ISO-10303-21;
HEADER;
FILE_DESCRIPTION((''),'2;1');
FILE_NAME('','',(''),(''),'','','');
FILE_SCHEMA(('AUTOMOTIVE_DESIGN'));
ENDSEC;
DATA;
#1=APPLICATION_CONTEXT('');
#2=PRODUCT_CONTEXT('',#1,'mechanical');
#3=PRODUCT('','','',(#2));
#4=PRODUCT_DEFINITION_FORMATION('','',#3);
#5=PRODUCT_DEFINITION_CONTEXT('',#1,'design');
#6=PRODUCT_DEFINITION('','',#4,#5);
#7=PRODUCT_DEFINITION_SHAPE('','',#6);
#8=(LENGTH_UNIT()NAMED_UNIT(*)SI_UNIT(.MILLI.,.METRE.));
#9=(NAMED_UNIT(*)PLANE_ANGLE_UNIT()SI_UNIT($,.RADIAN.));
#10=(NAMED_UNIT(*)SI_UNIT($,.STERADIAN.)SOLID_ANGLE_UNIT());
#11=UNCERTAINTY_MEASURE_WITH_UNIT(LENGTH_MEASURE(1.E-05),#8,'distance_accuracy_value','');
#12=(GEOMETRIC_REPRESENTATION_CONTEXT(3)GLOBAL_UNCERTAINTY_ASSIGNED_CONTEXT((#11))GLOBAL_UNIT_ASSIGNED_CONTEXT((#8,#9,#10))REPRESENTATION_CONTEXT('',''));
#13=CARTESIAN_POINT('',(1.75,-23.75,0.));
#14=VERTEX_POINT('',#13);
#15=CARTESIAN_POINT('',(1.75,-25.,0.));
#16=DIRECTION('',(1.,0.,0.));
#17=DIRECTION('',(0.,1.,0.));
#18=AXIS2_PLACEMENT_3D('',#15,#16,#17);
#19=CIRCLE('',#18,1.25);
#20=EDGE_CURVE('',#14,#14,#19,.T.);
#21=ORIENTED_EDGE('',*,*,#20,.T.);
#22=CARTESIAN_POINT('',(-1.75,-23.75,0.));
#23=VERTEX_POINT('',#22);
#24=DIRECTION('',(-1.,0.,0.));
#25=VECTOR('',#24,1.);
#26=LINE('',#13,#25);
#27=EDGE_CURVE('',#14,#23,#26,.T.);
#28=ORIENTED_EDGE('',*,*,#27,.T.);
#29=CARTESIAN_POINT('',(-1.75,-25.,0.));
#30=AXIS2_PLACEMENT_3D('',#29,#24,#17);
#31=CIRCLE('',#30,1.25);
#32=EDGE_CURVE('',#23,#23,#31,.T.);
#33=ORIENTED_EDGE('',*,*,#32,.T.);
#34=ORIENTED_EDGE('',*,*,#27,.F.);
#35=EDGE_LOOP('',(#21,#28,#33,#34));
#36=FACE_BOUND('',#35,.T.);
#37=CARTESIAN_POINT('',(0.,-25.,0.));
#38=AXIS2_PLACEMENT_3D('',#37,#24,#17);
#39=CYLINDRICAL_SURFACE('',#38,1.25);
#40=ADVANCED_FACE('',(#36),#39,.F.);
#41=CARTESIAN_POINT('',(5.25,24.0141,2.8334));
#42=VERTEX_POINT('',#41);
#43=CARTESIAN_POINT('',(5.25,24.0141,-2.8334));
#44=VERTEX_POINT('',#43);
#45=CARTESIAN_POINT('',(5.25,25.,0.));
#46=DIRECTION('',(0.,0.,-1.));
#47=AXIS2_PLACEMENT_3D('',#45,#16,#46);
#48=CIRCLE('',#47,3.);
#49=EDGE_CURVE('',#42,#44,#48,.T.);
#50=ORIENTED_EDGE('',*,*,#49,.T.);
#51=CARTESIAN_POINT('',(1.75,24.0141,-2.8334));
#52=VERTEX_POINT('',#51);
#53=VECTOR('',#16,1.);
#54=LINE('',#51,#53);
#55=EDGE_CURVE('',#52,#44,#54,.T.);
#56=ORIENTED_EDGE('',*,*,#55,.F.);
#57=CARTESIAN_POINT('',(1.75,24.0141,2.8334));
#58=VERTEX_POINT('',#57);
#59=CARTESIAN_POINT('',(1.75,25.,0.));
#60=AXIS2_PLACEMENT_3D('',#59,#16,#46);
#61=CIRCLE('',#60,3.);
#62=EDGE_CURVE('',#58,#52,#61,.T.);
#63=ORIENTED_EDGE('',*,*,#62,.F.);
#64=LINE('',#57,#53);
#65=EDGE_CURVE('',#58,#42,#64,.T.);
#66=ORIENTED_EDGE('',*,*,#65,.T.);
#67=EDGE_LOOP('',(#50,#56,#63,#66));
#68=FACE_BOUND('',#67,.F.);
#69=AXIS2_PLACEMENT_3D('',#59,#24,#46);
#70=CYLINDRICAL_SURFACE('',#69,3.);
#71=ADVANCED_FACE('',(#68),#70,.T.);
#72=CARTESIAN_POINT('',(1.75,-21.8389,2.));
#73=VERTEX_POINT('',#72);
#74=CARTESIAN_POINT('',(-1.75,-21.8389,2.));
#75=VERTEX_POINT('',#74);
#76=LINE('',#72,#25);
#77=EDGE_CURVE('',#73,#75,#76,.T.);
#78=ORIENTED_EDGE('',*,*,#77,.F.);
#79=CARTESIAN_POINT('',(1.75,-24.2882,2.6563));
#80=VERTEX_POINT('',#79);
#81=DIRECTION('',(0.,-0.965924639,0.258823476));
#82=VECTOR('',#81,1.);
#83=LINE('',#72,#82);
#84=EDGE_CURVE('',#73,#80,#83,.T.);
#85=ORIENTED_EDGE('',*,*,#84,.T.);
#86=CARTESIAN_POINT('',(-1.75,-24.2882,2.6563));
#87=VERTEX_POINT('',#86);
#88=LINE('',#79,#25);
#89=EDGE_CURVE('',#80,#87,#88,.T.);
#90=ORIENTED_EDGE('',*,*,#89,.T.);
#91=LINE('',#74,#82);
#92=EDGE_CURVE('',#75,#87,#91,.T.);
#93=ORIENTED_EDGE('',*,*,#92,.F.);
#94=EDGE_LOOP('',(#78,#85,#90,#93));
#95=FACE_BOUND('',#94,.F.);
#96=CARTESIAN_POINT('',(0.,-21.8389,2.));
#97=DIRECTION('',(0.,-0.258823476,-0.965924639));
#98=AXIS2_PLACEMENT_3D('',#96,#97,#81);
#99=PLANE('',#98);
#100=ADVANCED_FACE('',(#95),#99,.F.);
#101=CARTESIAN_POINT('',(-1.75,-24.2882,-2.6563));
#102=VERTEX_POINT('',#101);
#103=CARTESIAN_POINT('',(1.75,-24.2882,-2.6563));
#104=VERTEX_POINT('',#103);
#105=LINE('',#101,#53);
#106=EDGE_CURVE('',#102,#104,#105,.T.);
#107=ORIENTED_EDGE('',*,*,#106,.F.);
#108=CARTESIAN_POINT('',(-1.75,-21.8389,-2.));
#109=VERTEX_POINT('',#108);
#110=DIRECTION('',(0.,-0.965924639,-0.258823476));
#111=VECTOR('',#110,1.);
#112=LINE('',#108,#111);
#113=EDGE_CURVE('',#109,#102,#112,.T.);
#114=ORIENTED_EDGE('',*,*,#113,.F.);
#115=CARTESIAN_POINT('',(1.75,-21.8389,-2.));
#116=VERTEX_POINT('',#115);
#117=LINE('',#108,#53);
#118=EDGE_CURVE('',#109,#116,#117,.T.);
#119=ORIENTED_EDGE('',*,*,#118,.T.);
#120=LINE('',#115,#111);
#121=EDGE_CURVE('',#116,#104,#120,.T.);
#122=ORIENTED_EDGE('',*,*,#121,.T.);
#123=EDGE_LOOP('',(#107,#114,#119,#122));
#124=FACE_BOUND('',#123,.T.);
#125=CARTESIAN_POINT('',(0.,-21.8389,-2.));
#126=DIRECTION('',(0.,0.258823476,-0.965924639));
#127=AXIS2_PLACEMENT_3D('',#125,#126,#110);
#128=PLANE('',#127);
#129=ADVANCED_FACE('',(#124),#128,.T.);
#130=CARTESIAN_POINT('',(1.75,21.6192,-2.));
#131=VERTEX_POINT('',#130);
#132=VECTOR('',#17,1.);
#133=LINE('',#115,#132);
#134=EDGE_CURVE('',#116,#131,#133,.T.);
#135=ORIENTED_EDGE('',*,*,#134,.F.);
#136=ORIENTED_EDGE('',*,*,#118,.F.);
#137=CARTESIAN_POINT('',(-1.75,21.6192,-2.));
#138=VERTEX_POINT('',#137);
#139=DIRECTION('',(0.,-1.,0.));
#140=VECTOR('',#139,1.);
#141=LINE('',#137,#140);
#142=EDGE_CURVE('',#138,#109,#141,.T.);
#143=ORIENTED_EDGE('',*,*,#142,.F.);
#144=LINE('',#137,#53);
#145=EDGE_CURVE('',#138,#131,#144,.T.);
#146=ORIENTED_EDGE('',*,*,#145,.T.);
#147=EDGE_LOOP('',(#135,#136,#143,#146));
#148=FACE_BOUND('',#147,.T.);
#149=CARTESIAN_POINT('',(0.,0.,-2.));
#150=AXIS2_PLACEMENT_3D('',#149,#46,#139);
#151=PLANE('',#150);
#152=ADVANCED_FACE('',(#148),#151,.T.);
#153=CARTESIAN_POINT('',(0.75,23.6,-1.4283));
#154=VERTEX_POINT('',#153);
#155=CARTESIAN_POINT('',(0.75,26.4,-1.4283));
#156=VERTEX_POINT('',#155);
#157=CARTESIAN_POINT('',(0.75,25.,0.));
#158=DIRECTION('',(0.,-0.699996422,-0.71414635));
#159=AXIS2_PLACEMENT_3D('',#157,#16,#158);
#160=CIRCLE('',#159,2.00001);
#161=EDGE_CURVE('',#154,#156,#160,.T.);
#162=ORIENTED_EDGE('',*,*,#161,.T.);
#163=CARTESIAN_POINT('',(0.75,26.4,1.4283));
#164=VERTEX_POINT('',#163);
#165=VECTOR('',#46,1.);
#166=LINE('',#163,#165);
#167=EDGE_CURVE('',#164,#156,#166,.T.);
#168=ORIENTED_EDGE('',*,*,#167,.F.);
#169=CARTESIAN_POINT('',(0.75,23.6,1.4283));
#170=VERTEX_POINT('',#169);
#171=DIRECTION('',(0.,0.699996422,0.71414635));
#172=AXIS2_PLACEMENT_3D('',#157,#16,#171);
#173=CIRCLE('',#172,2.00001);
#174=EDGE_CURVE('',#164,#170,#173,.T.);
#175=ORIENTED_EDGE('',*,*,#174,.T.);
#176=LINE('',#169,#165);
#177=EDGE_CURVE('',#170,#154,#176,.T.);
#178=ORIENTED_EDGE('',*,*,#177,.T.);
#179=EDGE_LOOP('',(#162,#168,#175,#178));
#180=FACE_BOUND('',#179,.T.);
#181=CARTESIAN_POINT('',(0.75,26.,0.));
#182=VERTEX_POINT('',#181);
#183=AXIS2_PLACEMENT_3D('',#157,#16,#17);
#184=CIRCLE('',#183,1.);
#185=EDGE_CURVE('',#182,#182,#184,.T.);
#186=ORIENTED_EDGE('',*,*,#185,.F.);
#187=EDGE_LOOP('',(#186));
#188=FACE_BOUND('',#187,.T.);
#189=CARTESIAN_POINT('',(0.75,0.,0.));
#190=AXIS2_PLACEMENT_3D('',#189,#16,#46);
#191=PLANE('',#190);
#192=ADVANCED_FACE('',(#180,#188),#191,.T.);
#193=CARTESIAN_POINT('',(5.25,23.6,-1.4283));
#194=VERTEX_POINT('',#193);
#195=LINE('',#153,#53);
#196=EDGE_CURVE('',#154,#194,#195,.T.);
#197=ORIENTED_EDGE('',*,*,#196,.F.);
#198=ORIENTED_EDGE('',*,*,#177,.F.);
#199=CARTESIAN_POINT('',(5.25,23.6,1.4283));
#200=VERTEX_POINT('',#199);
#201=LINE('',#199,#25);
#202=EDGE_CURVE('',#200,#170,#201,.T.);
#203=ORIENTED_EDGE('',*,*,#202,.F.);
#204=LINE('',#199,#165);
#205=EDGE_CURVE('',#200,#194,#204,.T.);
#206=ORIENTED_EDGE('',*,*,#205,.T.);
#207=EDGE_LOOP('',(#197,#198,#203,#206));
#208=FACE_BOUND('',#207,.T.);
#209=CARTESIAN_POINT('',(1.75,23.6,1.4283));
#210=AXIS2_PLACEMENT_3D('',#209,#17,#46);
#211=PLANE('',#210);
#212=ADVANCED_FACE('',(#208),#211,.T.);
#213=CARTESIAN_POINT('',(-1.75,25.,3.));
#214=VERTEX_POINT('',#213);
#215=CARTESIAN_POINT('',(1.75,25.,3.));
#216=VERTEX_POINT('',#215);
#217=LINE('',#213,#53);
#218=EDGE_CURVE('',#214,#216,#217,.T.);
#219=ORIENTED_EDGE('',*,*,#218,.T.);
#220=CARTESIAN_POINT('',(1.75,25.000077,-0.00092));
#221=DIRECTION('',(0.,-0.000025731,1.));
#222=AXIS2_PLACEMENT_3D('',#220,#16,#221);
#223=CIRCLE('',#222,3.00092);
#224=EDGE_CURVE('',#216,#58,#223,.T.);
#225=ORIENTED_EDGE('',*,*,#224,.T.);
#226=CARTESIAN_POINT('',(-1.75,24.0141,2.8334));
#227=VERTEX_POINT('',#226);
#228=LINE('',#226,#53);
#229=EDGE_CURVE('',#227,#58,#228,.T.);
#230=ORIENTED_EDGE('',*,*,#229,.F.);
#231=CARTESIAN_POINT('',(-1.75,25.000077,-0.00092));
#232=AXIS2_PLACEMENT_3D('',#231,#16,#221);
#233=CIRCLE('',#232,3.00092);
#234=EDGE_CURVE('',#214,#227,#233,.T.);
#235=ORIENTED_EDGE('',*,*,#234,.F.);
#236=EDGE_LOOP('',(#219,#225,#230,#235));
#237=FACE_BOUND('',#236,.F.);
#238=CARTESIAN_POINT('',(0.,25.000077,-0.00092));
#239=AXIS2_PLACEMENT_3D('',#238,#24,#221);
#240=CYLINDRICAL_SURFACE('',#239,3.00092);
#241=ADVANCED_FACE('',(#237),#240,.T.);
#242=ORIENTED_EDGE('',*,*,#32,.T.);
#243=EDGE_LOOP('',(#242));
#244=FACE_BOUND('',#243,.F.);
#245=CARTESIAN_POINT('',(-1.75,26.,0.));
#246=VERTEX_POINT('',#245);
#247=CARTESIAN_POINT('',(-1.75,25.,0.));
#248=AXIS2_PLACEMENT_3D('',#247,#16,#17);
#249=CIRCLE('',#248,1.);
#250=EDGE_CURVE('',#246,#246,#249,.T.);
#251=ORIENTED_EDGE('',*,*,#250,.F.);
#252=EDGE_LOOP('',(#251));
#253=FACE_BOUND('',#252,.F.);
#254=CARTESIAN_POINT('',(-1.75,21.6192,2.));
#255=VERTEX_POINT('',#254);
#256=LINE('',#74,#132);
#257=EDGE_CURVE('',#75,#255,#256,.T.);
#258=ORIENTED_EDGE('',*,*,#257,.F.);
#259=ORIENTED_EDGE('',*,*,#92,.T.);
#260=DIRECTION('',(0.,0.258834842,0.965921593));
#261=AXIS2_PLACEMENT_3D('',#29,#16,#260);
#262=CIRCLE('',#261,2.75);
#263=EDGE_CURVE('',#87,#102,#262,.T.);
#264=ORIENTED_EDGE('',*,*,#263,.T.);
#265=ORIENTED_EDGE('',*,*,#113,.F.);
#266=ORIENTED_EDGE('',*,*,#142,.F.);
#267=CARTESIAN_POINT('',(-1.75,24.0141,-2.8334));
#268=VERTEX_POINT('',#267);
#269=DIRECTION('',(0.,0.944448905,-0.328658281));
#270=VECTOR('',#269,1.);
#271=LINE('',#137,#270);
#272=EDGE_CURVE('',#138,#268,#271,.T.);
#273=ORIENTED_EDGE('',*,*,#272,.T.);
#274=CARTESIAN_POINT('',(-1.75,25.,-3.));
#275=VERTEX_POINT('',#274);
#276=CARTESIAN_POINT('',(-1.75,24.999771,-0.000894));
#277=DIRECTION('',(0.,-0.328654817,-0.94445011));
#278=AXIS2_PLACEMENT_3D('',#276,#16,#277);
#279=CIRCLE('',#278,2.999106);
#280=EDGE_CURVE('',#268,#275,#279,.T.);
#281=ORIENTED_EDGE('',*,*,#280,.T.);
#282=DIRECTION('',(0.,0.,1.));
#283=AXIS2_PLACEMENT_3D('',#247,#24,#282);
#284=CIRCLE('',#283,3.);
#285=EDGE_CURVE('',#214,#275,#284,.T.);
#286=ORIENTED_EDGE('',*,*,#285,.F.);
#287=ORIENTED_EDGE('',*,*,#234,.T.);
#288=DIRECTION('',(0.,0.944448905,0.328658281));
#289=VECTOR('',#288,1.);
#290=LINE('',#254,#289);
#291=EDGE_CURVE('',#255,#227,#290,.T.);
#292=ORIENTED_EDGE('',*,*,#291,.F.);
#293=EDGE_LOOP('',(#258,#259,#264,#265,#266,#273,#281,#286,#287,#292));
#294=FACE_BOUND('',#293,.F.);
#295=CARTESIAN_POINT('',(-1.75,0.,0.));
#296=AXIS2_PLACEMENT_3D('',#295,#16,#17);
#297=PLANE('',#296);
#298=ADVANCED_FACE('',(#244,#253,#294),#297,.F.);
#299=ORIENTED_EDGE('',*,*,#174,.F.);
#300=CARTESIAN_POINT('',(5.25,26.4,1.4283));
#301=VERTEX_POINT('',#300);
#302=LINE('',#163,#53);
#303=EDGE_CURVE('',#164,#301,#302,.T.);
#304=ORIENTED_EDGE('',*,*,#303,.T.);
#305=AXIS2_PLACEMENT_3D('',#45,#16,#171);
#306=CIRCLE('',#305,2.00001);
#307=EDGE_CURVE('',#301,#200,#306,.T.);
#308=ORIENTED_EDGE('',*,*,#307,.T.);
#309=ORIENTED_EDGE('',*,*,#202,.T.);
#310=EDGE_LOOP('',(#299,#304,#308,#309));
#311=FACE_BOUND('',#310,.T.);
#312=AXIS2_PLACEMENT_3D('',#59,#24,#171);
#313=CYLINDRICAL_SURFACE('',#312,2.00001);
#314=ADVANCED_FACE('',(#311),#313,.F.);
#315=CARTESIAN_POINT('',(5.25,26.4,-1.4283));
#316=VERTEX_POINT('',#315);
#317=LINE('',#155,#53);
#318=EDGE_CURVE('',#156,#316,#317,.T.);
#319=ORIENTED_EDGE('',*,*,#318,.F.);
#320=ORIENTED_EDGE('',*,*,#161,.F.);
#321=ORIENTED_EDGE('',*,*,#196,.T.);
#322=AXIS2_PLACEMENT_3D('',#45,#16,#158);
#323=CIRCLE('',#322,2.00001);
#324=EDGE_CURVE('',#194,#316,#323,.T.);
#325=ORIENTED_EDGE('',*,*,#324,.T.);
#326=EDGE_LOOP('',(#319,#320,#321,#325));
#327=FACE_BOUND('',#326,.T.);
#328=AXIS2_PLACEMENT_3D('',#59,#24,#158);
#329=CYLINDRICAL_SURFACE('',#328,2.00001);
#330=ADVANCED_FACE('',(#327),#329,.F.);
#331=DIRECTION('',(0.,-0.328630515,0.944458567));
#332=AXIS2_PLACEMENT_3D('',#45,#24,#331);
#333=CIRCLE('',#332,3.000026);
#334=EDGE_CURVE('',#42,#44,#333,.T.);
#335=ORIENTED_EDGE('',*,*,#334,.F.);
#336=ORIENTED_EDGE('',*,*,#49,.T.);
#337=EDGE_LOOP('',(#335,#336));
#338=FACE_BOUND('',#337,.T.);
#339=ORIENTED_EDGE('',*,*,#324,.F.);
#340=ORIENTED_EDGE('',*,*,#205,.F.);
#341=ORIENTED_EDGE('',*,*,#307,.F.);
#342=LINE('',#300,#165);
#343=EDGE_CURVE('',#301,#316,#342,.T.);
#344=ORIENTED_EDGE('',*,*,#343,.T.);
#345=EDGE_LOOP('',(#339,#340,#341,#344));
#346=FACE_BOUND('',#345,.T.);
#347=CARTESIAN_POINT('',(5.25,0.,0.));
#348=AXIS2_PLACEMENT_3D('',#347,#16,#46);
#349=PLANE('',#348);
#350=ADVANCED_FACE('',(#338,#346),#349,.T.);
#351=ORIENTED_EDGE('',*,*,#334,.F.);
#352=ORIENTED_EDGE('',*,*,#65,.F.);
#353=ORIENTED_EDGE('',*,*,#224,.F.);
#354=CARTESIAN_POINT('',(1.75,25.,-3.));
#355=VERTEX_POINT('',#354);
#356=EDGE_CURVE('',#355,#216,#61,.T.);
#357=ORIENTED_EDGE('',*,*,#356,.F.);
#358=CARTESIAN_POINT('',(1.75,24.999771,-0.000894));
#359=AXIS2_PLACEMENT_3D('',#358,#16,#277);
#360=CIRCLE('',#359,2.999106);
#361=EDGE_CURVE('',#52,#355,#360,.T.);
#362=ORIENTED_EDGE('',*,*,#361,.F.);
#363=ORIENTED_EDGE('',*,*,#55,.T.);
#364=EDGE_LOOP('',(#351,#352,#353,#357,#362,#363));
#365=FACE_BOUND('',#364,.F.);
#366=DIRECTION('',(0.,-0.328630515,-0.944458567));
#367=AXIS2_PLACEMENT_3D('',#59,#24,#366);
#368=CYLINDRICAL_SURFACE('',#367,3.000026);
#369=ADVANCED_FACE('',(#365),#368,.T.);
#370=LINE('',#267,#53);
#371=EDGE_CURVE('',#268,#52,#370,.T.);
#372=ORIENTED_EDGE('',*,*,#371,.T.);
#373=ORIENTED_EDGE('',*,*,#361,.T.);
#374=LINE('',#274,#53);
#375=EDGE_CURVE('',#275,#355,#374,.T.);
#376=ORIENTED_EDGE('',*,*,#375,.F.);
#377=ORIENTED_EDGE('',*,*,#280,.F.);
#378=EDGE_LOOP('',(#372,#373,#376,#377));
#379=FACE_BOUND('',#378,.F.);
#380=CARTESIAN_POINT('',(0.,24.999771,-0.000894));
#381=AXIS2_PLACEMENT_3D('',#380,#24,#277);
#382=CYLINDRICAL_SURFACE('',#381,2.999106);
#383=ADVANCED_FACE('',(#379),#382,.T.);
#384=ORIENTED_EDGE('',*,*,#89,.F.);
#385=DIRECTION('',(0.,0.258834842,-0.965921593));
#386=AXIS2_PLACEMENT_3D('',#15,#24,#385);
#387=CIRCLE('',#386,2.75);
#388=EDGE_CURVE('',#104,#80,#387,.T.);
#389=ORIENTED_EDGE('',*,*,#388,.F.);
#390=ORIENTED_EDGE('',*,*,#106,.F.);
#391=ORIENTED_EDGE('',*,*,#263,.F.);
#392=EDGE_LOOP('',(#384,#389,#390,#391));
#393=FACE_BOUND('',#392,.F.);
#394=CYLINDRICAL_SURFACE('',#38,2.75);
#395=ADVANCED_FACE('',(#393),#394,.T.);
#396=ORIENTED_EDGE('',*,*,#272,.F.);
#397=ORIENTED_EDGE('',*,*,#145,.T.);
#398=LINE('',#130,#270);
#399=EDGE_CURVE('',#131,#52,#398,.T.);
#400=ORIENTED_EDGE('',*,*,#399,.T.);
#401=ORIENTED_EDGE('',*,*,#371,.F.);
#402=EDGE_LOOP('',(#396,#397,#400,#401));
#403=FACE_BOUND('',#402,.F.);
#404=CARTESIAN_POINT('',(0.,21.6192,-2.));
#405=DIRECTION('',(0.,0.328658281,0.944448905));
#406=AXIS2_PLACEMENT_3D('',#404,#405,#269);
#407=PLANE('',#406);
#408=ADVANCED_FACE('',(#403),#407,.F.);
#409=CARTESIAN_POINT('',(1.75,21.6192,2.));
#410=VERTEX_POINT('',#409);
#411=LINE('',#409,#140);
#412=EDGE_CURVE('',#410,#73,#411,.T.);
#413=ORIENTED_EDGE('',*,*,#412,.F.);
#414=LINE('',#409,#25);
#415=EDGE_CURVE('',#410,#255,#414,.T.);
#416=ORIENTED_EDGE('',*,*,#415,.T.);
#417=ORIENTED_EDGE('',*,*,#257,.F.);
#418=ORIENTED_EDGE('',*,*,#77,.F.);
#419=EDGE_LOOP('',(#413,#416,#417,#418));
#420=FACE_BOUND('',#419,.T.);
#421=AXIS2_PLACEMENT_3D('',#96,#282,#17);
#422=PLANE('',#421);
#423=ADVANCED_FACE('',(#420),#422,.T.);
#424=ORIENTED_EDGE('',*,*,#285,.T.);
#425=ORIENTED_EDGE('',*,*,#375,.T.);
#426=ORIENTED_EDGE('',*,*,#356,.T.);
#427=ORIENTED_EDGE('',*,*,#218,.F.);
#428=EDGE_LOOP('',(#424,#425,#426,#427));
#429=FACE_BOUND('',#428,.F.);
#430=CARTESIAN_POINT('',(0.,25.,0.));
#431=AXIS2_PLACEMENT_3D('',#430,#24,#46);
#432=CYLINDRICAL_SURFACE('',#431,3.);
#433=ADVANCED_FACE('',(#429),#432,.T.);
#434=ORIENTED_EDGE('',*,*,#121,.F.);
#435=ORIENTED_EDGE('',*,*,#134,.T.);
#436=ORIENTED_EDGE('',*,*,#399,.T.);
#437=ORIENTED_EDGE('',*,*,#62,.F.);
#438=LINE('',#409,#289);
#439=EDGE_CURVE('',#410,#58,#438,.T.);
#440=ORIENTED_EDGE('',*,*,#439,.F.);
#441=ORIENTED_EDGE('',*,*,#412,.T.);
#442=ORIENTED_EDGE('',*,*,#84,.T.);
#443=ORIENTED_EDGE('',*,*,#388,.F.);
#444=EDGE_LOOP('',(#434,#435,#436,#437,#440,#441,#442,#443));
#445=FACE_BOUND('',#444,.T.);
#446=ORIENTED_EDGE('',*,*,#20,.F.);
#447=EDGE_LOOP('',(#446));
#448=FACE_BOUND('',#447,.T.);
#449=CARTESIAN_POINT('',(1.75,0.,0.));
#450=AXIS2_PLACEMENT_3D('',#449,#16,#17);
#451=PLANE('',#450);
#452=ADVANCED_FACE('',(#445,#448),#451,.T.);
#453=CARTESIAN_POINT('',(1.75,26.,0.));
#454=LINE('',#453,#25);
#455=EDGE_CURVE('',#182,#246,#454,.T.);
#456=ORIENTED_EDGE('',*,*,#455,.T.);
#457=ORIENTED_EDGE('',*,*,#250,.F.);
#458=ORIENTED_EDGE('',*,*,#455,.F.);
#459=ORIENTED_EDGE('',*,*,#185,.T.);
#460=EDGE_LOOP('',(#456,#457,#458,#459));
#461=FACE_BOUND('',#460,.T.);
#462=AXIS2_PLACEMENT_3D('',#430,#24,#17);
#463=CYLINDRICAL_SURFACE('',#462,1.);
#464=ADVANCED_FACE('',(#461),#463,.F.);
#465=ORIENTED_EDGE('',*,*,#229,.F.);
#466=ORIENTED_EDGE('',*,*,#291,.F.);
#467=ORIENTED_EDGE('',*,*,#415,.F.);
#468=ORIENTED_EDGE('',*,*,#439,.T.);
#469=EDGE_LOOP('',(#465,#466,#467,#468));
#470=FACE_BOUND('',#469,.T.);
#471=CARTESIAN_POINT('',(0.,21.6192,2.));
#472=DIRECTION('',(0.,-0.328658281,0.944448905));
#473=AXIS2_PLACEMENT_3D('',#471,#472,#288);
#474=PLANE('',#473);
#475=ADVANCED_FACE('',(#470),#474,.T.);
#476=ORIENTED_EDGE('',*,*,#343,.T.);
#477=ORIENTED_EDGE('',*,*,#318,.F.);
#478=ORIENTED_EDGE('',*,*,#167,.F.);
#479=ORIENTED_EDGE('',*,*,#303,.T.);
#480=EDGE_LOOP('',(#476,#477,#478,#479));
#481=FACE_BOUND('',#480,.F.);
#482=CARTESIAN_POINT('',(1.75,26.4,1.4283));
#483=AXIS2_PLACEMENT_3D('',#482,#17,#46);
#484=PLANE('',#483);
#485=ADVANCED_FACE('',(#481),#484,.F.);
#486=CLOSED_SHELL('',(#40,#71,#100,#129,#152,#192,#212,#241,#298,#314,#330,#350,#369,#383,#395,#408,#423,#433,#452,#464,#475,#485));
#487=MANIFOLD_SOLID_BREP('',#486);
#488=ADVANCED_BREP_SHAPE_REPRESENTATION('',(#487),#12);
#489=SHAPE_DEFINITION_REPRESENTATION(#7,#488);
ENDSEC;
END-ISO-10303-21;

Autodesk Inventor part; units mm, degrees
ref_plane "YZ Plane" through (0, 0, 0) normal (1, 0, 0) x (0, 1, 0)
ref_plane "XZ Plane" through (0, 0, 0) normal (0, 1, 0) x (-1, 0, 0)
ref_plane "XY Plane" through (0, 0, 0) normal (0, 0, 1) x (1, 0, 0)
sketch "Sketch1" plane through (0, 0, 0) normal (1, 0, 0) x (0, 1, 0)
  line L0 (-39.2, 0) -> (39.2, 0) projected
  line L1 (0, -4.2) -> (0, 4.2) projected
  circle A0 centre (-25, 0) radius 1.25
  circle A1 centre (-25, 0) radius 3
  circle A2 centre (25, 0) radius 3 construction
  line L2 (-25, 3) -> (25, 3)
  line L3 (-25, -3) -> (25, -3)
  line L4 (25, 3) -> (25, -3) construction
  line L5 (25, 2) -> (25, -2) construction
  arc A3 (25, -3) -> (25, 3) centre (25, 0) ccw
  circle A4 centre (-25, 0) radius 2.2678 construction
  circle A5 centre (25, 0) radius 1
  point P0 (0, 0)
  point P1 (25, 0)
  dimension "d4" = 6
  dimension "d7" = 50
  dimension "d8" = 2.5
  dimension "d10" = 0
  dimension "d30" = 2
extrude "ext_main" add sketch "Sketch1" along normal mid plane 3.5 contours A0 L0 A1 | L0 A1 A0 | A1 L2 L1 L0 | L0 L1 L3 A1 | L1 L2 A3 L0 A5 | L0 A5 A3 L3 L1
sketch "Sketch3" plane through (0, 0, 0) normal (1, 0, 0) x (0, 1, 0)
  arc A0 (-25, 3) -> (-25, -3) centre (-25, 0) ccw projected
  circle A1 centre (-25, 0) radius 1.25 projected
  arc A2 (25, -3) -> (25, 3) centre (25, 0) ccw projected
  circle A3 centre (-25, 0) radius 3 construction
  circle A4 centre (25, 0) radius 3 construction
  line L0 (-22.7639, 2) -> (22.7639, 2) construction
  line L1 (-39.2, 0) -> (39.2, 0) projected
  line L2 (0, -4.2579) -> (0, 4.2579) projected
  line L3 (25, 3) -> (-25, 3) projected
  line L4 (21.6192, 2) -> (24.0141, 2.8334)
  arc A5 (25, 3) -> (24.0141, 2.8334) centre (25, 0) ccw
  line L5 (-21.8389, 2) -> (21.6192, 2)
  circle A6 centre (-25, 0) radius 2.75
  line L6 (-21.8389, 2) -> (-24.2882, 2.6563)
  arc A7 (24.0141, -2.8334) -> (25, -3) centre (25, 0) ccw
  line L7 (21.6192, -2) -> (-22.7639, -2) construction
  line L8 (-21.8389, -2) -> (-24.2882, -2.6563)
  line L9 (21.6192, -2) -> (-21.8389, -2)
  line L10 (21.6192, -2) -> (24.0141, -2.8334)
  point P0 (0, 0)
  dimension "d16" = 1
  dimension "d21" = 5.5
  dimension "d22" = 15
extrude "ext_cutaway" cut sketch "Sketch3" along normal through all both and the other way through all contours A6 L1 A1 | L1 A1 A6 | L5 L4 A5 A2 L1 L2 | L2 L1 A6 L6 L5 | A6 L1 L2 L9 L8 | L1 A2 A7 L10 L9 L2 keep common part
sketch "Sketch4" plane through (1.75, 0, 0) normal (1, 0, 0) x (0, 0, -1)
  arc A0 (2.8334, 24.0141) -> (-2.8334, 24.0141) centre (0, 25) ccw projected
  circle A1 centre (0, 25) radius 1 projected
  circle A2 centre (0, 25) radius 3
  line L0 (-4.2, 0) -> (4.2, 0) projected
  line L1 (-3, 25) -> (3, 25) construction
  circle A3 centre (0, 25) radius 2 construction
  arc A4 (-1.4283, 26.4) -> (-1.4283, 23.6) centre (0, 25) ccw
  arc A5 (1.4283, 23.6) -> (1.4283, 26.4) centre (0, 25) ccw
  line L2 (-1.4283, 26.4) -> (1.4283, 26.4)
  line L3 (-1.4283, 23.6) -> (1.4283, 23.6)
  point P0 (0, 0)
  dimension "d23" = 4
  dimension "d25" = 2.8
extrude "ext_potshaft" add sketch "Sketch4" along normal blind 3.5 contours A2 A0
extrude "ext_cut_potshaft" cut sketch "Sketch4" against normal blind 1 contours L2 A5 L3 A4
equation "\"d7\" = general_link_length"
equation "\"d8\" = screw_m2_bore_loose"
equation "\"d30\" = screw_m2_bore_selfthreading"
equation "\"d21\" = general_bore_smallersupport_diameter"
equation "\"general_link_length\" = 50"
equation "\"screw_m2_bore_loose\" = 2.5"
equation "\"screw_m2_bore_selfthreading\" = 2"
equation "\"general_bore_smallersupport_diameter\" = 5.5"
properties part number "empty"
